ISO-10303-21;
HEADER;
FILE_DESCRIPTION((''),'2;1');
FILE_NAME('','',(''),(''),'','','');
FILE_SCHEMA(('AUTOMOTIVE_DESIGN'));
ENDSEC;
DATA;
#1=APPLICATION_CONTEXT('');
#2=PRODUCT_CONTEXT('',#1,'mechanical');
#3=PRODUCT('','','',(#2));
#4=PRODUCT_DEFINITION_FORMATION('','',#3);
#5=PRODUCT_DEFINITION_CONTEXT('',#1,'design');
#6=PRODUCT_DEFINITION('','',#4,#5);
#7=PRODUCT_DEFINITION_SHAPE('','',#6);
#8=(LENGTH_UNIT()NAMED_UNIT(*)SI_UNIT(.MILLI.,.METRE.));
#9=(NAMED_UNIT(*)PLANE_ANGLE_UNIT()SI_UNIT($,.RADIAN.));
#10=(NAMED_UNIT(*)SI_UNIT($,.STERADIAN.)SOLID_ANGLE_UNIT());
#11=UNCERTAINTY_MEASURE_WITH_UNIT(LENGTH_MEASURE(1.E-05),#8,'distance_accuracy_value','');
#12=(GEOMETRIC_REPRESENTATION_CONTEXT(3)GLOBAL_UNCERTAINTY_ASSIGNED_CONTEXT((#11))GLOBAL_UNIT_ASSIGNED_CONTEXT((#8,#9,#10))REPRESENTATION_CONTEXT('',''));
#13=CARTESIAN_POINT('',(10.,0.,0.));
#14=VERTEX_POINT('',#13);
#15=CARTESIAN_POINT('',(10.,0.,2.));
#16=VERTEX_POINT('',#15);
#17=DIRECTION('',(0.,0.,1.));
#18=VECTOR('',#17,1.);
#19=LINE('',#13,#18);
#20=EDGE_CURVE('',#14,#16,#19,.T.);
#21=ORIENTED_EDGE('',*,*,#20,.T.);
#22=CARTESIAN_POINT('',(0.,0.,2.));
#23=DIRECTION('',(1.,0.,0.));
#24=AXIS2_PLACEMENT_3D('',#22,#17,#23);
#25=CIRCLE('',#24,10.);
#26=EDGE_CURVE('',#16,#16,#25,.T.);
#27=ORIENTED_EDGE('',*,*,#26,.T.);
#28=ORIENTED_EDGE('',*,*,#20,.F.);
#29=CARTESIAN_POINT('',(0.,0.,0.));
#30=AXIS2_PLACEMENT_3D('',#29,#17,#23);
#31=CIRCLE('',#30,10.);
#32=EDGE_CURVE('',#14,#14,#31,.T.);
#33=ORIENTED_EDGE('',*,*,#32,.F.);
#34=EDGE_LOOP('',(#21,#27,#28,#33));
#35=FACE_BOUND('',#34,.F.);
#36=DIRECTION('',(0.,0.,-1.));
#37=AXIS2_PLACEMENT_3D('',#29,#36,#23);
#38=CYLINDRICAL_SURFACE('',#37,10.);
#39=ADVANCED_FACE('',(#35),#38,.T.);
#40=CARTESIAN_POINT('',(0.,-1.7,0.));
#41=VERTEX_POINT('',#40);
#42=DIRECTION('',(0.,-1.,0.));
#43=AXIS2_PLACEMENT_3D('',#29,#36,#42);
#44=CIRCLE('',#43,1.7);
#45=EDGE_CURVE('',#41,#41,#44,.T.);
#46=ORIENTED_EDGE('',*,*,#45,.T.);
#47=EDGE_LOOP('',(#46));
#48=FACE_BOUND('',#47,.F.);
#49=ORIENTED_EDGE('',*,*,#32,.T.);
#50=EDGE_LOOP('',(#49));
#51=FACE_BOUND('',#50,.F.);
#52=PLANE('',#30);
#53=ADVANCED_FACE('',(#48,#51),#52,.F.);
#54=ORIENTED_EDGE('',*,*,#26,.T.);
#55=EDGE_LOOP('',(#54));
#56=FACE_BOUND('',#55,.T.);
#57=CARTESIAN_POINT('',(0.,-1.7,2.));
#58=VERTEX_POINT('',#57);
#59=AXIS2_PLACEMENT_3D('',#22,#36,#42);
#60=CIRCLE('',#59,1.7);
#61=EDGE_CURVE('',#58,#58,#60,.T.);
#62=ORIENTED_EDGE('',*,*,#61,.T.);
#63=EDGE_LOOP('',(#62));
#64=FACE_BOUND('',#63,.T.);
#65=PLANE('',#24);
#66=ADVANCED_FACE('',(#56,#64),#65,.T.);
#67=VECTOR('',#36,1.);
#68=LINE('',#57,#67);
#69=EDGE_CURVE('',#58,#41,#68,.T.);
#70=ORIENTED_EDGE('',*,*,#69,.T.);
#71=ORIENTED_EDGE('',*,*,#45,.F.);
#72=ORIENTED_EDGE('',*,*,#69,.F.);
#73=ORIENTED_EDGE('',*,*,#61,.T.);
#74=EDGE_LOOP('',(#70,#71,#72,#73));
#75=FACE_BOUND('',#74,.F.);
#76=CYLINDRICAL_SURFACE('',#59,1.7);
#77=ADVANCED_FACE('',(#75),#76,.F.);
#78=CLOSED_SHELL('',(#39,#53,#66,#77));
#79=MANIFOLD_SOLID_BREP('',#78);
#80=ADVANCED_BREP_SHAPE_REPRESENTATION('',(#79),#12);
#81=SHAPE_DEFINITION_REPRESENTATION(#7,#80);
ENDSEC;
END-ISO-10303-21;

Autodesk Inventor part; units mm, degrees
ref_plane "YZ Plane" through (0, 0, 0) normal (1, 0, 0) x (0, 1, 0)
ref_plane "XZ Plane" through (0, 0, 0) normal (0, 1, 0) x (-1, 0, 0)
ref_plane "XY Plane" through (0, 0, 0) normal (0, 0, 1) x (1, 0, 0)
sketch "Sketch1" plane through (0, 0, 0) normal (0, 0, 1) x (1, 0, 0)
  circle A0 centre (0, 0) radius 10
  dimension "d0" = 20
extrude "Extrusion1" add sketch "Sketch1" along normal blind 2
sketch "Sketch2" plane through (0, 0, 2) normal (0, 0, 1) x (1, 0, 0)
  point P0 (0, 0)
  point P1 (0, 0)
hole "Hole1" at (0, 0, 2) direction (0, 0, -1) diameter 3.4 end through all clearance for "Flat Head Machine Screw" size "M3" standard "Ansi Metric M Profile"
properties part number "Selection_Weight" material "Aluminum 6061"
